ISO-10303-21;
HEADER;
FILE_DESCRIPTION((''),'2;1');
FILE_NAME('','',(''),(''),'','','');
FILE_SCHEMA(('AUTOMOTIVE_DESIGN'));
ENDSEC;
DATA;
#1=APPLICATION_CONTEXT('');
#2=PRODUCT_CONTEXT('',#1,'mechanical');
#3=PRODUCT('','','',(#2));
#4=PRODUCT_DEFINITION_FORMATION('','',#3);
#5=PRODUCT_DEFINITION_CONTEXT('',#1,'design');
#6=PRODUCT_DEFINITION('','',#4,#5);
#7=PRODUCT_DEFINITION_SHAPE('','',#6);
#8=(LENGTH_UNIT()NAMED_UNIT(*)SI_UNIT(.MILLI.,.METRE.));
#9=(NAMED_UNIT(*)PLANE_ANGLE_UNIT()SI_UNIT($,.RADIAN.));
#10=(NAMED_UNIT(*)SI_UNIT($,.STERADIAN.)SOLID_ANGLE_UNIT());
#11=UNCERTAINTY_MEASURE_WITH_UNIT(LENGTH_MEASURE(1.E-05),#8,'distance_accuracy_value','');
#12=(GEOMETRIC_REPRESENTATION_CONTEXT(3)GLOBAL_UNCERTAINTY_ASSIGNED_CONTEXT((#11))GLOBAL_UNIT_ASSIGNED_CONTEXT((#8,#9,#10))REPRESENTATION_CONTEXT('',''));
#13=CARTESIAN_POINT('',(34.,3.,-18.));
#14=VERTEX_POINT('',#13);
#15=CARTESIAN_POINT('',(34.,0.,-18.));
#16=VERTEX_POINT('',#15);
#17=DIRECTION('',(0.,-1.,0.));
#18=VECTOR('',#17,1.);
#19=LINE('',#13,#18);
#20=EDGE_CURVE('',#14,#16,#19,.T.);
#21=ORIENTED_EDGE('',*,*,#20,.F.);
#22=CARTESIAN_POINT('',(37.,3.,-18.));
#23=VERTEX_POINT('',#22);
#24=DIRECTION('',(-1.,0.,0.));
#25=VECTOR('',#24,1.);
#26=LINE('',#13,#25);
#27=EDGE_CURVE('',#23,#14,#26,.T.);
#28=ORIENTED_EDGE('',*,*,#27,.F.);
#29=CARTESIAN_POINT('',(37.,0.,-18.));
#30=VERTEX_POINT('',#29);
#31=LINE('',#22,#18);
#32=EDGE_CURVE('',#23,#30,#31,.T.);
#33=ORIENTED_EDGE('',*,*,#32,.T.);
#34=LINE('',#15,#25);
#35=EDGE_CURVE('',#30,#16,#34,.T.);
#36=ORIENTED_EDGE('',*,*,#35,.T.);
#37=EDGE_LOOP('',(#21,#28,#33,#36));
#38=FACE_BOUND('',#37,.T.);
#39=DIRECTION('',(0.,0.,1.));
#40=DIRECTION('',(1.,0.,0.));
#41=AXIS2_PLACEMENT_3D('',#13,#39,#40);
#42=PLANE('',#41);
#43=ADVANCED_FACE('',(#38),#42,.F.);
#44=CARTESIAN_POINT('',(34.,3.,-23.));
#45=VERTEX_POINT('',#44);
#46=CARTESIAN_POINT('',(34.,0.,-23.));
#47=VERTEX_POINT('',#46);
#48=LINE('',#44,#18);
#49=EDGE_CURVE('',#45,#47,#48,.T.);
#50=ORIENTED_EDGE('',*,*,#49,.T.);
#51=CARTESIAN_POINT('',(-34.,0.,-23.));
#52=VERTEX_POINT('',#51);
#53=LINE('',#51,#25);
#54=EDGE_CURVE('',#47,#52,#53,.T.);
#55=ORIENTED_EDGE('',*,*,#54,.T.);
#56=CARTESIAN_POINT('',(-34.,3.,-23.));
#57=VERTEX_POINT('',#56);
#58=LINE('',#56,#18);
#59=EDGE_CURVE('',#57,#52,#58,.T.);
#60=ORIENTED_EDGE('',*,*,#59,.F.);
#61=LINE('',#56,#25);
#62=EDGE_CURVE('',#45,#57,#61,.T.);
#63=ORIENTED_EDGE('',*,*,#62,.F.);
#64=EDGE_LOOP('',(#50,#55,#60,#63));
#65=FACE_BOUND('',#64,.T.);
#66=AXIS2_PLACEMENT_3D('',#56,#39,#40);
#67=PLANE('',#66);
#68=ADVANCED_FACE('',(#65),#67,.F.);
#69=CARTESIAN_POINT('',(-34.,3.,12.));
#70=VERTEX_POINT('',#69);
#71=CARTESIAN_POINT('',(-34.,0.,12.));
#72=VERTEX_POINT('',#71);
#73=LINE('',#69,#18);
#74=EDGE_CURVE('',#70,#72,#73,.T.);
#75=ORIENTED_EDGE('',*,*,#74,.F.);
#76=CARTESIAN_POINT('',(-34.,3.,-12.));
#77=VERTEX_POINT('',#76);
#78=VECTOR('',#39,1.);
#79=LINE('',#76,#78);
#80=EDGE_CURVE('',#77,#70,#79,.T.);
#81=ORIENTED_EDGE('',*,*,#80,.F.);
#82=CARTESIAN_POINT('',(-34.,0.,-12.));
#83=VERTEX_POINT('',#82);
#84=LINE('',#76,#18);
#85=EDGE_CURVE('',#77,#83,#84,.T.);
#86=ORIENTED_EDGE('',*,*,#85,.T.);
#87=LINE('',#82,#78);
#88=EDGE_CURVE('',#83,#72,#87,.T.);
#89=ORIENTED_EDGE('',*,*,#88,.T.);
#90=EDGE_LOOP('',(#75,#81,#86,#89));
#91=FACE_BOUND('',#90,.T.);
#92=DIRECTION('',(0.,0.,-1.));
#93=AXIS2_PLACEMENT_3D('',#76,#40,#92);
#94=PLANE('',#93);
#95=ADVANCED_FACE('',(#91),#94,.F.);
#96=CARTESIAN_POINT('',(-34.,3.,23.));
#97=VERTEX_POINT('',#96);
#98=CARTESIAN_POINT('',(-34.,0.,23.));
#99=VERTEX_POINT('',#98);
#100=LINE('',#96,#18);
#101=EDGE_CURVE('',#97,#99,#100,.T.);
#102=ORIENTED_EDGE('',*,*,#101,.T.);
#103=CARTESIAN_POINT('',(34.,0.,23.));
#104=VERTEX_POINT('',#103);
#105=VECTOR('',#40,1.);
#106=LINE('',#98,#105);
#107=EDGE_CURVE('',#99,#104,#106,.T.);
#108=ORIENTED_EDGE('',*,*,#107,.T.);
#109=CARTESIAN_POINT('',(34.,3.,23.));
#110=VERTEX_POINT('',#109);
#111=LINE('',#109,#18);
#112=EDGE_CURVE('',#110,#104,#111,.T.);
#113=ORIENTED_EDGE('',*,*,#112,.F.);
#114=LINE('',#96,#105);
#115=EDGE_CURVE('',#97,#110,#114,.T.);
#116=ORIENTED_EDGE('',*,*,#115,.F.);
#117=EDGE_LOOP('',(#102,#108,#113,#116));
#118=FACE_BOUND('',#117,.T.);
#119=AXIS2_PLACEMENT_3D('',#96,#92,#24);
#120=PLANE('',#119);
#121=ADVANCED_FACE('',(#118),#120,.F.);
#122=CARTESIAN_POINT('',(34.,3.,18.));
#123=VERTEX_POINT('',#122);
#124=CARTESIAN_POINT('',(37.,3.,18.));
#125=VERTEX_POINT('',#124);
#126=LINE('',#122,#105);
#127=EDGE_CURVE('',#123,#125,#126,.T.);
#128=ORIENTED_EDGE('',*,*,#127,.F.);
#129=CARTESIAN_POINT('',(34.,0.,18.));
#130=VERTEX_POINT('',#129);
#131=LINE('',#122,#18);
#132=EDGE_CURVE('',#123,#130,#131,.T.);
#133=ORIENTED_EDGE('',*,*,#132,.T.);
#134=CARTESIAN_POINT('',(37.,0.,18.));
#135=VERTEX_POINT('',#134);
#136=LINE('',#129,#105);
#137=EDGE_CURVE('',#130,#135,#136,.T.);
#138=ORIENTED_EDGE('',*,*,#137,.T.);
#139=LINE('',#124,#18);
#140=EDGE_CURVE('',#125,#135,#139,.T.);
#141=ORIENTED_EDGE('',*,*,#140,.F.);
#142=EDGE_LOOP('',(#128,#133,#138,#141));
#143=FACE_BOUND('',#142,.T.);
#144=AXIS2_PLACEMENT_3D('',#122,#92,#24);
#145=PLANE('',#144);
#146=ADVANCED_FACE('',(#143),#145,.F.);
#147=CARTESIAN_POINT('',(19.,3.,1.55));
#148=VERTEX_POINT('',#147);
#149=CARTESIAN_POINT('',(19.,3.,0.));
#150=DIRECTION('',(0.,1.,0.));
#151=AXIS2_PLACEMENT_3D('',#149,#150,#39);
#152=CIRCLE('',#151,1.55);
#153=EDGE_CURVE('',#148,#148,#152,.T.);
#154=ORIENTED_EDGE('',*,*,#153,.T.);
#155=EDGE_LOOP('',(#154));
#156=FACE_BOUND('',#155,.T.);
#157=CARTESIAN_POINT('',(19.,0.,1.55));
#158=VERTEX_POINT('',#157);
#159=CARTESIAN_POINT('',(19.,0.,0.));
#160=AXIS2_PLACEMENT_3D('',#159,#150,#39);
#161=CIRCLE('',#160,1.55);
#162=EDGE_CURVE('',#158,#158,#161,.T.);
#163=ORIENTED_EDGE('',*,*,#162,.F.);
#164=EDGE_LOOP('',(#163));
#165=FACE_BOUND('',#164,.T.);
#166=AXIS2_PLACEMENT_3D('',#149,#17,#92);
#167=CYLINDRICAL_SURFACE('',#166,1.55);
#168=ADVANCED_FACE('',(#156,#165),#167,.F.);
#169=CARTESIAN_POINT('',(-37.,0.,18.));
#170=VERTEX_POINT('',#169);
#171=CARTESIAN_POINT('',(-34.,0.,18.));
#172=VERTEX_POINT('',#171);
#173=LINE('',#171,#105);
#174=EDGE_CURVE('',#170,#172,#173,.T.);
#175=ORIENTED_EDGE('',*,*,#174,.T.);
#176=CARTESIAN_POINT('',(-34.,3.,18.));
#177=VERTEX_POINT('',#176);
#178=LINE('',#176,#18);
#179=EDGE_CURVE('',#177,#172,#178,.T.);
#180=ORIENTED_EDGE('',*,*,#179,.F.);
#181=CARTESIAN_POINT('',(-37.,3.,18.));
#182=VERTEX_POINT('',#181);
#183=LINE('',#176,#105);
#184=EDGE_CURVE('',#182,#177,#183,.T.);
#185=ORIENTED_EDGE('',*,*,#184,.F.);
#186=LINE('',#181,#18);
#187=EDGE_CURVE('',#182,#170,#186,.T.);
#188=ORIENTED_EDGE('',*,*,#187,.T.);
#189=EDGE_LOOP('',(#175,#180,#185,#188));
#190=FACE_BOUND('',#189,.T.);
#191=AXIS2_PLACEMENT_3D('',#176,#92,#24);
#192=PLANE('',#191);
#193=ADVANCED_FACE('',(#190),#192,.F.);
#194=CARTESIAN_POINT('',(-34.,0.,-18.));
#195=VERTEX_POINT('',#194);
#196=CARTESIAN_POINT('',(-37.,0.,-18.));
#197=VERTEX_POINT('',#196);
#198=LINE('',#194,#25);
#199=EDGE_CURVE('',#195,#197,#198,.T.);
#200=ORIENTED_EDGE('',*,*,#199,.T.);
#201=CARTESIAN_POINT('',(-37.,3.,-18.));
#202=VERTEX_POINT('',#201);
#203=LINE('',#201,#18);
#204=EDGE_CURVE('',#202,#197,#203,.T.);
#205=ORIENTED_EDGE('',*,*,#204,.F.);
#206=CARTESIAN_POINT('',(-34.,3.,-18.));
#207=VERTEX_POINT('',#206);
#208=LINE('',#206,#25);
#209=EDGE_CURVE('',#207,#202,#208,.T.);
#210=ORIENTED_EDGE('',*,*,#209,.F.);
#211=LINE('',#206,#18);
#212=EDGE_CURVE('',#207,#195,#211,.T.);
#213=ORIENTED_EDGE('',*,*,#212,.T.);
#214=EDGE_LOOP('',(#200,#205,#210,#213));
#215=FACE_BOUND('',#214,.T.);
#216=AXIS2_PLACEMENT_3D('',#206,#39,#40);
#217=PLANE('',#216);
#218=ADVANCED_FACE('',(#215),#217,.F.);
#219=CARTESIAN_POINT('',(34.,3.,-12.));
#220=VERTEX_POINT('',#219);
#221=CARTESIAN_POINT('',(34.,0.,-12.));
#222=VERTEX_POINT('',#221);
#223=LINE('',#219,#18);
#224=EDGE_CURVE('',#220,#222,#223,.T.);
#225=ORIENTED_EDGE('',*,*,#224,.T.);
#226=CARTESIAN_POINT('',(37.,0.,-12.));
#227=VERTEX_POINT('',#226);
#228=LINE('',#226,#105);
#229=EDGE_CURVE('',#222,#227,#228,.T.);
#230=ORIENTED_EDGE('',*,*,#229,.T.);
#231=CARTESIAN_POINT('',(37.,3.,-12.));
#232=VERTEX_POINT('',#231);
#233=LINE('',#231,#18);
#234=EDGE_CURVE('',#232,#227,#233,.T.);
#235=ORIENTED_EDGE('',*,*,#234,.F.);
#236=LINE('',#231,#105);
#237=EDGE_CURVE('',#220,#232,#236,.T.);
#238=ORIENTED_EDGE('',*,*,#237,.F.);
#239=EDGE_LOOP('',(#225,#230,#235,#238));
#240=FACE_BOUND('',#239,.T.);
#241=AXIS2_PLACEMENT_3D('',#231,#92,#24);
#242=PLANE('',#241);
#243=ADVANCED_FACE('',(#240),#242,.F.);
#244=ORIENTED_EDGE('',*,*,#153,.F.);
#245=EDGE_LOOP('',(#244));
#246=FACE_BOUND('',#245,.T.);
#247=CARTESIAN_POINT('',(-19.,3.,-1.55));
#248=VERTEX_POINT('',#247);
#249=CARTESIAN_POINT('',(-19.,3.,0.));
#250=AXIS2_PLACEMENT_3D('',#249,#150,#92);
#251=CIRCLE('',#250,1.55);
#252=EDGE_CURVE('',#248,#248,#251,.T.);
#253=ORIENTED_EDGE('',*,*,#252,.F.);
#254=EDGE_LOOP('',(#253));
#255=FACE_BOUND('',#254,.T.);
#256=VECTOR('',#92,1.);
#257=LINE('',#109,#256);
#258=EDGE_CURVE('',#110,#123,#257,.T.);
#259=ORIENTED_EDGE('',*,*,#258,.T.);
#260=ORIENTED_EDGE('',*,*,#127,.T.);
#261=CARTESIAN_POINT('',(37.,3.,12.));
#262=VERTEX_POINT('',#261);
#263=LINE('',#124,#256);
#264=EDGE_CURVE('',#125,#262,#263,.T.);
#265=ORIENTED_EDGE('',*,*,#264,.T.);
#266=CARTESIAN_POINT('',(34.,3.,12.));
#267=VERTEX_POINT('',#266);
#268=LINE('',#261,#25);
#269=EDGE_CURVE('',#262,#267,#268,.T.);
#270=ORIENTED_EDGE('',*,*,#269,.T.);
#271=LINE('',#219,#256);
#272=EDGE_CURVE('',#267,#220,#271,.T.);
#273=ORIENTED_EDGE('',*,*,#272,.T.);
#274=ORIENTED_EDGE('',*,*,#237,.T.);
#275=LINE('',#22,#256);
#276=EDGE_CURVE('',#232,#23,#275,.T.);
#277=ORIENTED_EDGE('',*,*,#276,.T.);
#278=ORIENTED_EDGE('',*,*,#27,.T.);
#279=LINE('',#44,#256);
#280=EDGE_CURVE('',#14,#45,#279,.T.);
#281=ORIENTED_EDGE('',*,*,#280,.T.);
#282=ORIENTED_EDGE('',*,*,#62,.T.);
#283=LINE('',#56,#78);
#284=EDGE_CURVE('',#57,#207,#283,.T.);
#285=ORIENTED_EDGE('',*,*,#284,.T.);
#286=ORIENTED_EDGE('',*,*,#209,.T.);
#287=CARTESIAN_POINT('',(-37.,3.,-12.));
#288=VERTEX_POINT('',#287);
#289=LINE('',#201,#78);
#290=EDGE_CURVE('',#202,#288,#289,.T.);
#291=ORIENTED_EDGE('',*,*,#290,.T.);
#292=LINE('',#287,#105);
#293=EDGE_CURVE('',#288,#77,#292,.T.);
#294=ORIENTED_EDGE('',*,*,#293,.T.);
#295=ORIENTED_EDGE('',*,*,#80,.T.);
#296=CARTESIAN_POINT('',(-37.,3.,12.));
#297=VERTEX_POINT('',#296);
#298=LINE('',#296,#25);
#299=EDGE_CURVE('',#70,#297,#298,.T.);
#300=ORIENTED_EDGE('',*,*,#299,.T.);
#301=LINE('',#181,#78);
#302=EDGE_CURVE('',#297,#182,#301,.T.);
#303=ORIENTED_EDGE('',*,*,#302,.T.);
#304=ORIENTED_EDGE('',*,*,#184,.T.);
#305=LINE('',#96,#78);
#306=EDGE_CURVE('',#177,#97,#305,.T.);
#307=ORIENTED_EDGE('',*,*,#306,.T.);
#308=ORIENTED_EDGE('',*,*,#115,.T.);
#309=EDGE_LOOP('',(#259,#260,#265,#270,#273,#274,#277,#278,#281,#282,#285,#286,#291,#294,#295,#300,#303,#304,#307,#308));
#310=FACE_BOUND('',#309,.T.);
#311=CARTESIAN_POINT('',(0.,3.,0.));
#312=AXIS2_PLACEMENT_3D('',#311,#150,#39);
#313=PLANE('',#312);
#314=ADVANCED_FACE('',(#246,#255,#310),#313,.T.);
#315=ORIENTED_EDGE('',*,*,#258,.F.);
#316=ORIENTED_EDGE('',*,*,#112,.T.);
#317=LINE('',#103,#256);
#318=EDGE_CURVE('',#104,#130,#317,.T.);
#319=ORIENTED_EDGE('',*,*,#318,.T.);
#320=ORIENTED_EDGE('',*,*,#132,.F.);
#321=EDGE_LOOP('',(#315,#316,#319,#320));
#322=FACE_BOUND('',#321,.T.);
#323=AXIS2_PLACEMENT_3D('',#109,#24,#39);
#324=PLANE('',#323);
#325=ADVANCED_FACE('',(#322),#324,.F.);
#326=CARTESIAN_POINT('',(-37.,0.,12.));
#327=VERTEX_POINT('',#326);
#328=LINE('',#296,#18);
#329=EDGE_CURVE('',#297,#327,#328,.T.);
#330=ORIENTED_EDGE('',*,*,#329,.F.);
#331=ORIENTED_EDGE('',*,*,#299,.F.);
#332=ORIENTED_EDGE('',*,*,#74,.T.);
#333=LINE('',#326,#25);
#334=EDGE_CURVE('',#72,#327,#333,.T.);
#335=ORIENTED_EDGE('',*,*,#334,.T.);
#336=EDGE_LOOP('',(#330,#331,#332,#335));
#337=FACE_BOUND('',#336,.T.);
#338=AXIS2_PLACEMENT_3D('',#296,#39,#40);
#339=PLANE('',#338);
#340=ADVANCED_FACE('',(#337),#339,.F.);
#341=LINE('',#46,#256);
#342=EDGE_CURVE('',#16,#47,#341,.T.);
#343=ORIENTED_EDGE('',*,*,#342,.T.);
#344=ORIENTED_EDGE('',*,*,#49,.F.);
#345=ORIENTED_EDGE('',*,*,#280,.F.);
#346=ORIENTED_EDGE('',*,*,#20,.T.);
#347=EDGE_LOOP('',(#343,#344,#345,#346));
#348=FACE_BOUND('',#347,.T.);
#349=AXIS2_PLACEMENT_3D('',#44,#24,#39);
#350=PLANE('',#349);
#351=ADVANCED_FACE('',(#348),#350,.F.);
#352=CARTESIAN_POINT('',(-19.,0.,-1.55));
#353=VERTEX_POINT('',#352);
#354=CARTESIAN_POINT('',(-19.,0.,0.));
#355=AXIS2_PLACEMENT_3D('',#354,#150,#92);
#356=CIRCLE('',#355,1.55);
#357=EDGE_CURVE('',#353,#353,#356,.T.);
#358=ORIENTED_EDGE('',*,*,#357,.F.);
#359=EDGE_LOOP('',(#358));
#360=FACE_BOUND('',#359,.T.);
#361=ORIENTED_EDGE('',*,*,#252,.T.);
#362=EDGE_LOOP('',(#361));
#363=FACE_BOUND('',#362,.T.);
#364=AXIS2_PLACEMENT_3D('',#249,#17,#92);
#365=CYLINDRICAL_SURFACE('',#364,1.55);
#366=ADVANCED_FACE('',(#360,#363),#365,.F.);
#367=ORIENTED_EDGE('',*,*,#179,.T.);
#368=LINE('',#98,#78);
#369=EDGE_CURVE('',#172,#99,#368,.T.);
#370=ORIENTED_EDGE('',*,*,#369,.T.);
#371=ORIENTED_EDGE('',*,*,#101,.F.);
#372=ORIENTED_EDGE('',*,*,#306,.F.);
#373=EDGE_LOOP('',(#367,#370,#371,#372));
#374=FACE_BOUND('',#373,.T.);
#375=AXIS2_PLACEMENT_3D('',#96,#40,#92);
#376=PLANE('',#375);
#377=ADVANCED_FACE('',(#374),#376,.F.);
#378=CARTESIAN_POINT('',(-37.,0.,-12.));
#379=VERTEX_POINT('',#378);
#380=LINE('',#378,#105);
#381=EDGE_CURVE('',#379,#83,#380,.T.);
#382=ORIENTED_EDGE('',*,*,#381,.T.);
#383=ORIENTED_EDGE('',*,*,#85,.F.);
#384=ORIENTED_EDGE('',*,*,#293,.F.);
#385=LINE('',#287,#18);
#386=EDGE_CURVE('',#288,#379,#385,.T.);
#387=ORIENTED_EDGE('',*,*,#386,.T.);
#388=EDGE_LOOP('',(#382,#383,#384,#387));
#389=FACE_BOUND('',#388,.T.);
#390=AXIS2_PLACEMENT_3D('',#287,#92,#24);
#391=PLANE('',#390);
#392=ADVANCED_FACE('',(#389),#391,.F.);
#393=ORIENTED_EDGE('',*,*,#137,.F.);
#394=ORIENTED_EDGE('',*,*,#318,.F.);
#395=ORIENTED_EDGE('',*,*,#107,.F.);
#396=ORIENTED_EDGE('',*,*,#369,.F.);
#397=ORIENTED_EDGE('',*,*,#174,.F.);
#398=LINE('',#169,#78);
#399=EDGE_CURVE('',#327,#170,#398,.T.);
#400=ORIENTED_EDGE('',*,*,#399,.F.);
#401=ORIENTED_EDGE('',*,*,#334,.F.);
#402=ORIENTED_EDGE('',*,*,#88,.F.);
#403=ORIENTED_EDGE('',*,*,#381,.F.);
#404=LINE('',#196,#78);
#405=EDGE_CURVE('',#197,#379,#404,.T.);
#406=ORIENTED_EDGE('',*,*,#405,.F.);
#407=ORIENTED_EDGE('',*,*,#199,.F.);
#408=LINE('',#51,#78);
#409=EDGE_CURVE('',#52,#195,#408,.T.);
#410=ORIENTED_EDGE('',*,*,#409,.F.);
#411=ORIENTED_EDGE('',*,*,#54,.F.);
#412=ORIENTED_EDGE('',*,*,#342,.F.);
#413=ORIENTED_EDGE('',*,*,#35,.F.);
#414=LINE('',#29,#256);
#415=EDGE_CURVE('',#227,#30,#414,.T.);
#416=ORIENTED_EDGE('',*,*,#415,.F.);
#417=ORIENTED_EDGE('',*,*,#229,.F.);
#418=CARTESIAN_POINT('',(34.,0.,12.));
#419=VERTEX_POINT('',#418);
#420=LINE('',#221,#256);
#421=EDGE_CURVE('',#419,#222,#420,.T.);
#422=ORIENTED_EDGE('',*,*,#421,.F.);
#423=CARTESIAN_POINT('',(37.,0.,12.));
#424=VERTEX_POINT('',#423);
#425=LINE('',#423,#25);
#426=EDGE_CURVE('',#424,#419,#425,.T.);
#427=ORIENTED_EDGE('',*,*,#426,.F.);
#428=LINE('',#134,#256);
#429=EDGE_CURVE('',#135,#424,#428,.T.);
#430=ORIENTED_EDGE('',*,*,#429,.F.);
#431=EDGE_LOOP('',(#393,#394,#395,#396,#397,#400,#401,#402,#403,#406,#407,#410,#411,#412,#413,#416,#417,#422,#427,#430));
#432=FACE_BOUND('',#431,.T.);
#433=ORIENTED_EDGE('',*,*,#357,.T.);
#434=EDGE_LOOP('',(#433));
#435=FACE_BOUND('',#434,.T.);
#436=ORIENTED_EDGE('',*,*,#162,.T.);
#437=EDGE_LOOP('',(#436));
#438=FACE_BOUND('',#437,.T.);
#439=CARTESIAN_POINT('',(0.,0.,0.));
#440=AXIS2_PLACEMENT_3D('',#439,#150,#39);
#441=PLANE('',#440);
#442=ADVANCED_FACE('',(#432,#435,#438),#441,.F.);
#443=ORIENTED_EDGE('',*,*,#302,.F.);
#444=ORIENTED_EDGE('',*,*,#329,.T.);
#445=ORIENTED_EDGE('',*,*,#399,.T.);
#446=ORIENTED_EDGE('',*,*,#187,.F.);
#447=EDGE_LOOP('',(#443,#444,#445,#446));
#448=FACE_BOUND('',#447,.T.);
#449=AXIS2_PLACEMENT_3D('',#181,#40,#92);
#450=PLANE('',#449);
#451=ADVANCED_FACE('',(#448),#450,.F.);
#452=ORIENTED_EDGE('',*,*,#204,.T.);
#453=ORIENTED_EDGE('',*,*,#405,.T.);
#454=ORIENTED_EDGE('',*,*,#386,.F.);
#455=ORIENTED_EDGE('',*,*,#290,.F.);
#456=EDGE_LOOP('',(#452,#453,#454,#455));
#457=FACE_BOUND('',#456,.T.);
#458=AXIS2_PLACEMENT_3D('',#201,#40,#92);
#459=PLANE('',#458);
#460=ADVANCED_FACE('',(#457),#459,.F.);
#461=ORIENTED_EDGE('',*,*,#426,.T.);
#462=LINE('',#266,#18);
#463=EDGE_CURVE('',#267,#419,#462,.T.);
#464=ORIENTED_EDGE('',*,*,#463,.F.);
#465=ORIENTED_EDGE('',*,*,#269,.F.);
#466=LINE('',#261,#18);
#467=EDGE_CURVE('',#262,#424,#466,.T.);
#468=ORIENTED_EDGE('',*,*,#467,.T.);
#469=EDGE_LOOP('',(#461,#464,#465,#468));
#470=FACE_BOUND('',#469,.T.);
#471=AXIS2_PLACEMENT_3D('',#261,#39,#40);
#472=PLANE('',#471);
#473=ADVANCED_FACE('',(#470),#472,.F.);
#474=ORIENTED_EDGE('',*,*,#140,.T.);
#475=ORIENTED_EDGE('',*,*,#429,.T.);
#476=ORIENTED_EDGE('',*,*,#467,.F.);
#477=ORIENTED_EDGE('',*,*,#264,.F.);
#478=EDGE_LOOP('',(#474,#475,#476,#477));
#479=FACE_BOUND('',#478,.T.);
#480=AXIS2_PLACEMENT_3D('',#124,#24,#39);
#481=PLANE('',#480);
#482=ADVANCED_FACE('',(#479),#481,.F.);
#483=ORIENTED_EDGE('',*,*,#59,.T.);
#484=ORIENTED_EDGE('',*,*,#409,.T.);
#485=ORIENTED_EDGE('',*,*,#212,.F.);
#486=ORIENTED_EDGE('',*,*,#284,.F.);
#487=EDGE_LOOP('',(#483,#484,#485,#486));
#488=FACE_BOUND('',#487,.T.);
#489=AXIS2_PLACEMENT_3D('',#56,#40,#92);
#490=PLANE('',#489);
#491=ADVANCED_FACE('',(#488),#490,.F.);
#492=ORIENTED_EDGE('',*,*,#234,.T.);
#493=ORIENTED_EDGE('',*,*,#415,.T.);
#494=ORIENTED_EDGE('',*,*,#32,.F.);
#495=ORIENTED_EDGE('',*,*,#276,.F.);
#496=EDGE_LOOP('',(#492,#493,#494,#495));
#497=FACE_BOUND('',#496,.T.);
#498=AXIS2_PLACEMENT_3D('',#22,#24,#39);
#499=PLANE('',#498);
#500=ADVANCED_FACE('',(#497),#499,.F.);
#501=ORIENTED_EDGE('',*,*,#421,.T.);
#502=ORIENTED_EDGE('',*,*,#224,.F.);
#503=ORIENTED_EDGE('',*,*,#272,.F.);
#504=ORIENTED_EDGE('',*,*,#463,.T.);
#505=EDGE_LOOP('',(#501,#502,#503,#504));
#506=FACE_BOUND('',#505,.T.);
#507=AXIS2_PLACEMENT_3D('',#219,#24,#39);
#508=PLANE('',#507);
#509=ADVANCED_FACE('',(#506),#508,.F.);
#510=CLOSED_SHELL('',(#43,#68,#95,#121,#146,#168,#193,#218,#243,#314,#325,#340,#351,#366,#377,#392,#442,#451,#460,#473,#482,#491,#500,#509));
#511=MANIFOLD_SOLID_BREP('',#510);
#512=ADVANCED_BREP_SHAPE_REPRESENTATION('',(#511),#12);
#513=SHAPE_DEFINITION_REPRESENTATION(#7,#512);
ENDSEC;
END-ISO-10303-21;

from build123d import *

# Parameters (mm, degrees)
SKETCH1_R           = 1.55
BOSS_EXTRUDE1_DEPTH = 3


with BuildPart() as part:
    # Sketch1 → Boss-Extrude1 (new body)
    with BuildSketch(Plane(origin=(0, 0, 0), x_dir=(1, 0, 0), z_dir=(0, 1, 0))):
        Polygon((-34, 23), (34, 23), (34, 18), (37, 18), (37, 12), (34, 12), (34, -12), (37, -12), (37, -18), (34, -18), (34, -23), (-34, -23), (-34, -18), (-37, -18), (-37, -12), (-34, -12), (-34, 12), (-37, 12), (-37, 18), (-34, 18), align=None)
        with Locations(Location((19, 0, 0), (0, 0, 270))):
            Circle(SKETCH1_R, mode=Mode.SUBTRACT)
        with Locations(Location((-19, 0, 0), (0, 0, 90))):
            Circle(SKETCH1_R, mode=Mode.SUBTRACT)
    extrude(amount=BOSS_EXTRUDE1_DEPTH)


solid = part.part
